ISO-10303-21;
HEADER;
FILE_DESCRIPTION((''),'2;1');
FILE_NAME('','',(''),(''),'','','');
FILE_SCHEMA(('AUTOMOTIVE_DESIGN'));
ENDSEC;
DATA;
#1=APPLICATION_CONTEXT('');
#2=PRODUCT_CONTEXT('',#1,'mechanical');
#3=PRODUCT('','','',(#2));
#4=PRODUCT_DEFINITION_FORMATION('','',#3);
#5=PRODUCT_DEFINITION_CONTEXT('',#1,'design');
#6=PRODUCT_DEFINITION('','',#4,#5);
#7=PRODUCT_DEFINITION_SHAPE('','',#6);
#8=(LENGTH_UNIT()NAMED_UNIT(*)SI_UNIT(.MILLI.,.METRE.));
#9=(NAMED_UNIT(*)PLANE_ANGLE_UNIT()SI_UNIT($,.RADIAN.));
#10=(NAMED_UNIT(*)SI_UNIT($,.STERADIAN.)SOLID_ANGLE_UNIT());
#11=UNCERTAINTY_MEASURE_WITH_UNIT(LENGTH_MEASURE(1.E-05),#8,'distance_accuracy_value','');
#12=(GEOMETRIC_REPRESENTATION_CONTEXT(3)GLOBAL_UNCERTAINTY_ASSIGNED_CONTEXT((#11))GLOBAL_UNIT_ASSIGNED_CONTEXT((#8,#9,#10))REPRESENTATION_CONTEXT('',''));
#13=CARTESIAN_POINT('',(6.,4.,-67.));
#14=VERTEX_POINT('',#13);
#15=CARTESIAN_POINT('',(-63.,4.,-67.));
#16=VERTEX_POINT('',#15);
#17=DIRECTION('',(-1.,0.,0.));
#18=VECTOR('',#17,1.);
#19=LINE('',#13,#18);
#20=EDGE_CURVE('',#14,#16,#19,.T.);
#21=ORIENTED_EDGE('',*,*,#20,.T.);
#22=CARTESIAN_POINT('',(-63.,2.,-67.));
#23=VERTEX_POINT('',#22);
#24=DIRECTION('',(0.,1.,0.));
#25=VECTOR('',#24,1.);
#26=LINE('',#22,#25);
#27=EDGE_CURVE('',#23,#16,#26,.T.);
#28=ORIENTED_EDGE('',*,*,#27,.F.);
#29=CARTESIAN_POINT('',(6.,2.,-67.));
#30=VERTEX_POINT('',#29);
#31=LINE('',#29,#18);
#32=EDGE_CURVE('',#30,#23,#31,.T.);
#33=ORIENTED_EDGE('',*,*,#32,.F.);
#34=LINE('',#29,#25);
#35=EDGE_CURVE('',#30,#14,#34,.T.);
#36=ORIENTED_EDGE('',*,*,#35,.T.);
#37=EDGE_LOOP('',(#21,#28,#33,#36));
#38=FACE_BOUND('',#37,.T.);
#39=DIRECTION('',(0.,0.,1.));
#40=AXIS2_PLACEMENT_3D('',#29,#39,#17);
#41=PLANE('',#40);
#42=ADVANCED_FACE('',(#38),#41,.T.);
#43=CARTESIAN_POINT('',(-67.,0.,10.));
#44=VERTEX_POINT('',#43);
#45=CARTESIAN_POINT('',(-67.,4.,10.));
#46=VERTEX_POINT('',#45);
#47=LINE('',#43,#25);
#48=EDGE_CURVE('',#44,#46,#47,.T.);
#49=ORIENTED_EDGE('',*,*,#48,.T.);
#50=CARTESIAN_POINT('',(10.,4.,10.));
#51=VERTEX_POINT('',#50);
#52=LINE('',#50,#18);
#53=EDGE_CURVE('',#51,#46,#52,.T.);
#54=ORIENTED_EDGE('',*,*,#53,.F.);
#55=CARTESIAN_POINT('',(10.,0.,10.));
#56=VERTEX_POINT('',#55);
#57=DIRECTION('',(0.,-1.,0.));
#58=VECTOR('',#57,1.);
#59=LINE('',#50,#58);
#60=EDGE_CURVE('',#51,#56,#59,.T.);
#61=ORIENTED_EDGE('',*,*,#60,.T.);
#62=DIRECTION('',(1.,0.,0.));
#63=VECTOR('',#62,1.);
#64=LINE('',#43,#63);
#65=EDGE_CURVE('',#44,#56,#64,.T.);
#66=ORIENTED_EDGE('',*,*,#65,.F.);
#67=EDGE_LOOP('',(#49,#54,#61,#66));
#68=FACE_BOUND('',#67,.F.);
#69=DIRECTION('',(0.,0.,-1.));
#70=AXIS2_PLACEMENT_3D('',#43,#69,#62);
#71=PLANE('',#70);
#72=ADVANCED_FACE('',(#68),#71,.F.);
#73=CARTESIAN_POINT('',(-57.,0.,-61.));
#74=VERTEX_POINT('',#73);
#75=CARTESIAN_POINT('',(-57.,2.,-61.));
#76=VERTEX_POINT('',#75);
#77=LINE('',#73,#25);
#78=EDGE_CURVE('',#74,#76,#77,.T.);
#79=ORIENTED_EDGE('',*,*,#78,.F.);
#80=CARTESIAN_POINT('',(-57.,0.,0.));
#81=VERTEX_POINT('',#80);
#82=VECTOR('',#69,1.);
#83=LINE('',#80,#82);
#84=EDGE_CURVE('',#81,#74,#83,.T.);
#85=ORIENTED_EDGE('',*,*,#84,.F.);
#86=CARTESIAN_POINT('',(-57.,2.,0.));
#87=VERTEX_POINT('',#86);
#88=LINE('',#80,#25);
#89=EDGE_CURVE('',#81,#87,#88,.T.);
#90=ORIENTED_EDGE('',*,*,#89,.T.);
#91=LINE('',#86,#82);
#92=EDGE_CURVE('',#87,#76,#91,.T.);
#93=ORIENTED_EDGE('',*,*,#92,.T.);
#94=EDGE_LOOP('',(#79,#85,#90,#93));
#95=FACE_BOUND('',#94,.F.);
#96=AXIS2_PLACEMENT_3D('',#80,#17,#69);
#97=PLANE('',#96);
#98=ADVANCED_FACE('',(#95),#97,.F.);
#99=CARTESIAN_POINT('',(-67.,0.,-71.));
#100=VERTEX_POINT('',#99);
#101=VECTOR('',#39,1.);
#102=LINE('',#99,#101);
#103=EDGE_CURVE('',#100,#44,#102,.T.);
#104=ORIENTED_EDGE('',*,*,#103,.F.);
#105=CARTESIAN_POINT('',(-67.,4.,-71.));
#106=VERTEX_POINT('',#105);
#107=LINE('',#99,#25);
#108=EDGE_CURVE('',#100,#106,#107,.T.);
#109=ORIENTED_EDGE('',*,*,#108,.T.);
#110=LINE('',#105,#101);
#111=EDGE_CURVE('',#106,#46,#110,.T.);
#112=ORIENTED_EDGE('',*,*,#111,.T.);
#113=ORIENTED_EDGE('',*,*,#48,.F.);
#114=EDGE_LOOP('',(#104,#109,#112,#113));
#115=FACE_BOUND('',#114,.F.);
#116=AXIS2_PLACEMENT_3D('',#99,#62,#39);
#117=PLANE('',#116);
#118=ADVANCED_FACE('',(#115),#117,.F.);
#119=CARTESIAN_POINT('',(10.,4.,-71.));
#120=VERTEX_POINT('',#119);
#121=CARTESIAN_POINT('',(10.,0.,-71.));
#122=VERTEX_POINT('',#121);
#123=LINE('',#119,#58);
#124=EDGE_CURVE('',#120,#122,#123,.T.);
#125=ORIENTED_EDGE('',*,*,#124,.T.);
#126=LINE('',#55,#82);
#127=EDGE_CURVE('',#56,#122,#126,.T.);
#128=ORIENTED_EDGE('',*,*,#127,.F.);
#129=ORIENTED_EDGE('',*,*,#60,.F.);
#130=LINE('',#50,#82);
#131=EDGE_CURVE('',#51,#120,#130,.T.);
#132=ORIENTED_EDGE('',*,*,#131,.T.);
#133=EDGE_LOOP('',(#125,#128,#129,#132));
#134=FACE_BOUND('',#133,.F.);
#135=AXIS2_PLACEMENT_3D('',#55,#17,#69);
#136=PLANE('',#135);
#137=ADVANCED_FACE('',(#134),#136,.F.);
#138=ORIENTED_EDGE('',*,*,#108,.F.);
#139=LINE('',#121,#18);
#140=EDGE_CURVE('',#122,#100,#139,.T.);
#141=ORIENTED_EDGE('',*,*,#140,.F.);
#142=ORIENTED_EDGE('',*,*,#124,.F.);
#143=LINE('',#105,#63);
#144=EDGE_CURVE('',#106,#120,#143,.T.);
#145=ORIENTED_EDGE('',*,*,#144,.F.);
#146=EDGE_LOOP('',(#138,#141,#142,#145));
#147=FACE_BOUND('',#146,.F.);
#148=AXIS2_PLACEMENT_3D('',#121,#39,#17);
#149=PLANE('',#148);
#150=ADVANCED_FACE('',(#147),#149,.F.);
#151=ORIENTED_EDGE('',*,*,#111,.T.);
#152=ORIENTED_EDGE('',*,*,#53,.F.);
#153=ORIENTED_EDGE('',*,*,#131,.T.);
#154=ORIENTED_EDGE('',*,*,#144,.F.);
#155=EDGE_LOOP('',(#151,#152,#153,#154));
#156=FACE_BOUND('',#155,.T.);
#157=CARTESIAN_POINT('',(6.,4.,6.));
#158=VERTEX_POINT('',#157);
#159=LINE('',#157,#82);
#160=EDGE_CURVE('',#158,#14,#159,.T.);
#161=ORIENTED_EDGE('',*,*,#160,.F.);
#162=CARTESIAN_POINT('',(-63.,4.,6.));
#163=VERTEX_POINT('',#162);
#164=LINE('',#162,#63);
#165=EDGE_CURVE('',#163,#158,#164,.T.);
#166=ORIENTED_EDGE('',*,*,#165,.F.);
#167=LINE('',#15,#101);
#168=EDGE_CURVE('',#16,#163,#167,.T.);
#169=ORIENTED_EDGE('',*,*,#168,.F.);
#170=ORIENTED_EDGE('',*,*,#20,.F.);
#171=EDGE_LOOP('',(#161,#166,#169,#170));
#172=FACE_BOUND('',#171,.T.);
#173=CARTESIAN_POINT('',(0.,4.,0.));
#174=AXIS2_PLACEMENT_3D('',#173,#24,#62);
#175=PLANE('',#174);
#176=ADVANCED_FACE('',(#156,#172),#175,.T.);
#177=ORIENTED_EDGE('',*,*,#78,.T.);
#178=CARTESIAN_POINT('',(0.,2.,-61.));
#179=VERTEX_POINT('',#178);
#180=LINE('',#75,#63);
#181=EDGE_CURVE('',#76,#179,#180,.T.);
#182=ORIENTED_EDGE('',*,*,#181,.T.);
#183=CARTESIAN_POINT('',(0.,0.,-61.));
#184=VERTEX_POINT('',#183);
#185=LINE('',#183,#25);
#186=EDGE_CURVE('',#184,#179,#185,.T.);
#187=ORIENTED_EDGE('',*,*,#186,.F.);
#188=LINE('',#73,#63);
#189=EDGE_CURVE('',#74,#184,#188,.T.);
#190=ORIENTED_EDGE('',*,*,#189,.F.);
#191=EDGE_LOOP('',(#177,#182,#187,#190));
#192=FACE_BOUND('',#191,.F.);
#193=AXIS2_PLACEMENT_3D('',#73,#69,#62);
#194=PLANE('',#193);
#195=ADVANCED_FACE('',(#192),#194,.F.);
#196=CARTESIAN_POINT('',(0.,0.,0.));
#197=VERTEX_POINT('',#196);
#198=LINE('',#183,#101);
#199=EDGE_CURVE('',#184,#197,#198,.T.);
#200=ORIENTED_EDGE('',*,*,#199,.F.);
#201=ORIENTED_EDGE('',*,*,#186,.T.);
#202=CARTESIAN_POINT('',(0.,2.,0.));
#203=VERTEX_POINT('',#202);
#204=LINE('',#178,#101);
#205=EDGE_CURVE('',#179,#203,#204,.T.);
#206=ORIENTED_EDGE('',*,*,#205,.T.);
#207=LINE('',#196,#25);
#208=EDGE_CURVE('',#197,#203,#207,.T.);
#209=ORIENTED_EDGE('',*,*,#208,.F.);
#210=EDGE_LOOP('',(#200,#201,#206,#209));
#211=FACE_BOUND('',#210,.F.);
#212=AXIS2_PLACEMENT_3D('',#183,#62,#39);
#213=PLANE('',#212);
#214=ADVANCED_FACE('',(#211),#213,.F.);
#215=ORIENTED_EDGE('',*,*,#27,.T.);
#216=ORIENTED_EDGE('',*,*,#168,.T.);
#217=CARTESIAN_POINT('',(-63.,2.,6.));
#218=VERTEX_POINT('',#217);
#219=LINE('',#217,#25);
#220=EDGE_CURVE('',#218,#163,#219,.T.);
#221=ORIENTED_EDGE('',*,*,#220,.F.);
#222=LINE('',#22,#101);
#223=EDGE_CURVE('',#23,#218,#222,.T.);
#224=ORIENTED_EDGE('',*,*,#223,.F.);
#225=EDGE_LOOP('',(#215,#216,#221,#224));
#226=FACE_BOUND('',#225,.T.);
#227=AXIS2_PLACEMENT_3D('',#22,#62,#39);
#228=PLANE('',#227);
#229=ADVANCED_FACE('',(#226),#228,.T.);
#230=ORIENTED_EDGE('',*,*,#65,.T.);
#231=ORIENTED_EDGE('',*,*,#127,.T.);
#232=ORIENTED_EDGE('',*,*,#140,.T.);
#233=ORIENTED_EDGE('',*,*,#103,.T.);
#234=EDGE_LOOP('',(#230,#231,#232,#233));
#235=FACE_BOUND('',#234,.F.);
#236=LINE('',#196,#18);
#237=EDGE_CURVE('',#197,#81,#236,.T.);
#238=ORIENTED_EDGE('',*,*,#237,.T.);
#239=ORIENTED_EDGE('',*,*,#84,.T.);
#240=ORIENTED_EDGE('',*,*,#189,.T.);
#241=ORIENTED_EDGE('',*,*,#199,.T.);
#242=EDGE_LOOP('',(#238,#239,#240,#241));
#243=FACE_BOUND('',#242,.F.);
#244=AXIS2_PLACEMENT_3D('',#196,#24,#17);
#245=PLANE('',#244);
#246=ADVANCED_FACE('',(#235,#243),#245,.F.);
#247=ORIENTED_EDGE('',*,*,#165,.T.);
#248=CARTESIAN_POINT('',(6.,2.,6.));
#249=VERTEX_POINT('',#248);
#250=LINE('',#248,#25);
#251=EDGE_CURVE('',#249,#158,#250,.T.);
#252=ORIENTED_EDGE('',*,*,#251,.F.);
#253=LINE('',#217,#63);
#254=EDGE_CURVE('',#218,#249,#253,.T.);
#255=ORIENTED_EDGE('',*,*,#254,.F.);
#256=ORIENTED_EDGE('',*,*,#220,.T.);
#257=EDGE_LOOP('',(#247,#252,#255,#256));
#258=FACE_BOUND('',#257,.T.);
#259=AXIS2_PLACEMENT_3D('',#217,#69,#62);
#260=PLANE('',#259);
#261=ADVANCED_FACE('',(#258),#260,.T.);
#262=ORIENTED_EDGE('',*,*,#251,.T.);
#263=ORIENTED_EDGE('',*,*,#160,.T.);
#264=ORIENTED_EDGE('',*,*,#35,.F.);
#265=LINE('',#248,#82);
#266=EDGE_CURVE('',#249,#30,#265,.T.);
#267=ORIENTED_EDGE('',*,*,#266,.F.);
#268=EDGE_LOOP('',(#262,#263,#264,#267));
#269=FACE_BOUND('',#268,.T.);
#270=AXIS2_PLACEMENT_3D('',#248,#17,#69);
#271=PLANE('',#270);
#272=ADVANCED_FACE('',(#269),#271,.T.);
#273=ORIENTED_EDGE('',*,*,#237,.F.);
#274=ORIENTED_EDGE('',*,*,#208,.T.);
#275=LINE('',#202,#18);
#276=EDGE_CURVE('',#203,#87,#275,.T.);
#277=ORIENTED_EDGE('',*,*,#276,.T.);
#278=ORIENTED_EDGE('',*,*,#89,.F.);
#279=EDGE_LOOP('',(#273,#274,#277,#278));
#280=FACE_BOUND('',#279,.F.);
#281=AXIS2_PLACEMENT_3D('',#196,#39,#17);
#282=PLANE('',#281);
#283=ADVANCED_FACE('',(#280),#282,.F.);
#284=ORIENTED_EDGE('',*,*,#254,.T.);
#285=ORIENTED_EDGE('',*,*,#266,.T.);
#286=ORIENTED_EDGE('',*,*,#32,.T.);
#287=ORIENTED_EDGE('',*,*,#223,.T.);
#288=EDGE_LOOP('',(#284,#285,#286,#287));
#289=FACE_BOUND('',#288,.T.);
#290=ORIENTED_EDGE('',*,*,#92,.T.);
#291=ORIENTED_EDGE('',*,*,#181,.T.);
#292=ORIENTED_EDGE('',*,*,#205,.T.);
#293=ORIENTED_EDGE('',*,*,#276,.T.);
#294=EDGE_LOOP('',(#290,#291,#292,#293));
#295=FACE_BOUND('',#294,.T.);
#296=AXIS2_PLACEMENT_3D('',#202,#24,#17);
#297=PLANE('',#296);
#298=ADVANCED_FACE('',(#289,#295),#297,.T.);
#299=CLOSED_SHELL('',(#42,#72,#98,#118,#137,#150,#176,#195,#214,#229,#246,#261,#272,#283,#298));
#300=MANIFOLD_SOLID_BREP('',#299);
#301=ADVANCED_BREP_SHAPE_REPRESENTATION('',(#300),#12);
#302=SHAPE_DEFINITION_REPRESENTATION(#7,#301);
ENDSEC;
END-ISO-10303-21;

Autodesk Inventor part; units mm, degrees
ref_plane "YZ Plane" through (0, 0, 0) normal (1, 0, 0) x (0, 1, 0)
ref_plane "XZ Plane" through (0, 0, 0) normal (0, 1, 0) x (-1, 0, 0)
ref_plane "XY Plane" through (0, 0, 0) normal (0, 0, 1) x (1, 0, 0)
sketch "Sketch1" plane through (0, 0, 0) normal (0, 1, 0) x (-1, 0, 0)
  point P0 (0, 0)
sketch "Sketch2" plane through (0, 0, 0) normal (0, 1, 0) x (-1, 0, 0)
  line L0 (0, 0) -> (57, 0)
  line L1 (57, 0) -> (57, -61)
  line L2 (57, -61) -> (0, -61)
  line L3 (0, -61) -> (0, 0)
  line L4 (67, -71) -> (67, 10)
  line L5 (67, 10) -> (-10, 10)
  line L6 (-10, 10) -> (-10, -71)
  line L7 (-10, -71) -> (67, -71)
  dimension "d0" = 57
  dimension "d1" = 61
  dimension "d2" = 10
extrude "Extrusion1" add sketch "Sketch2" along normal blind 2
sketch "Sketch3" plane through (0, 2, 0) normal (0, 1, 0) x (1, 0, 0)
  line L0 (10, -10) -> (10, 71) projected
  line L1 (-67, 71) -> (-67, -10) projected
  line L2 (10, -10) -> (-67, -10)
  line L3 (-67, -10) -> (-67, 71)
  line L4 (-67, 71) -> (10, 71)
  line L5 (10, 71) -> (10, -10)
  line L6 (6, 67) -> (-63, 67)
  line L7 (-63, 67) -> (-63, -6)
  line L8 (-63, -6) -> (6, -6)
  line L9 (6, -6) -> (6, 67)
  point P0 (0, 0)
  dimension "d5" = 4
extrude "Extrusion2" add sketch "Sketch3" along normal blind 2
properties part number "Scannframebottom"
